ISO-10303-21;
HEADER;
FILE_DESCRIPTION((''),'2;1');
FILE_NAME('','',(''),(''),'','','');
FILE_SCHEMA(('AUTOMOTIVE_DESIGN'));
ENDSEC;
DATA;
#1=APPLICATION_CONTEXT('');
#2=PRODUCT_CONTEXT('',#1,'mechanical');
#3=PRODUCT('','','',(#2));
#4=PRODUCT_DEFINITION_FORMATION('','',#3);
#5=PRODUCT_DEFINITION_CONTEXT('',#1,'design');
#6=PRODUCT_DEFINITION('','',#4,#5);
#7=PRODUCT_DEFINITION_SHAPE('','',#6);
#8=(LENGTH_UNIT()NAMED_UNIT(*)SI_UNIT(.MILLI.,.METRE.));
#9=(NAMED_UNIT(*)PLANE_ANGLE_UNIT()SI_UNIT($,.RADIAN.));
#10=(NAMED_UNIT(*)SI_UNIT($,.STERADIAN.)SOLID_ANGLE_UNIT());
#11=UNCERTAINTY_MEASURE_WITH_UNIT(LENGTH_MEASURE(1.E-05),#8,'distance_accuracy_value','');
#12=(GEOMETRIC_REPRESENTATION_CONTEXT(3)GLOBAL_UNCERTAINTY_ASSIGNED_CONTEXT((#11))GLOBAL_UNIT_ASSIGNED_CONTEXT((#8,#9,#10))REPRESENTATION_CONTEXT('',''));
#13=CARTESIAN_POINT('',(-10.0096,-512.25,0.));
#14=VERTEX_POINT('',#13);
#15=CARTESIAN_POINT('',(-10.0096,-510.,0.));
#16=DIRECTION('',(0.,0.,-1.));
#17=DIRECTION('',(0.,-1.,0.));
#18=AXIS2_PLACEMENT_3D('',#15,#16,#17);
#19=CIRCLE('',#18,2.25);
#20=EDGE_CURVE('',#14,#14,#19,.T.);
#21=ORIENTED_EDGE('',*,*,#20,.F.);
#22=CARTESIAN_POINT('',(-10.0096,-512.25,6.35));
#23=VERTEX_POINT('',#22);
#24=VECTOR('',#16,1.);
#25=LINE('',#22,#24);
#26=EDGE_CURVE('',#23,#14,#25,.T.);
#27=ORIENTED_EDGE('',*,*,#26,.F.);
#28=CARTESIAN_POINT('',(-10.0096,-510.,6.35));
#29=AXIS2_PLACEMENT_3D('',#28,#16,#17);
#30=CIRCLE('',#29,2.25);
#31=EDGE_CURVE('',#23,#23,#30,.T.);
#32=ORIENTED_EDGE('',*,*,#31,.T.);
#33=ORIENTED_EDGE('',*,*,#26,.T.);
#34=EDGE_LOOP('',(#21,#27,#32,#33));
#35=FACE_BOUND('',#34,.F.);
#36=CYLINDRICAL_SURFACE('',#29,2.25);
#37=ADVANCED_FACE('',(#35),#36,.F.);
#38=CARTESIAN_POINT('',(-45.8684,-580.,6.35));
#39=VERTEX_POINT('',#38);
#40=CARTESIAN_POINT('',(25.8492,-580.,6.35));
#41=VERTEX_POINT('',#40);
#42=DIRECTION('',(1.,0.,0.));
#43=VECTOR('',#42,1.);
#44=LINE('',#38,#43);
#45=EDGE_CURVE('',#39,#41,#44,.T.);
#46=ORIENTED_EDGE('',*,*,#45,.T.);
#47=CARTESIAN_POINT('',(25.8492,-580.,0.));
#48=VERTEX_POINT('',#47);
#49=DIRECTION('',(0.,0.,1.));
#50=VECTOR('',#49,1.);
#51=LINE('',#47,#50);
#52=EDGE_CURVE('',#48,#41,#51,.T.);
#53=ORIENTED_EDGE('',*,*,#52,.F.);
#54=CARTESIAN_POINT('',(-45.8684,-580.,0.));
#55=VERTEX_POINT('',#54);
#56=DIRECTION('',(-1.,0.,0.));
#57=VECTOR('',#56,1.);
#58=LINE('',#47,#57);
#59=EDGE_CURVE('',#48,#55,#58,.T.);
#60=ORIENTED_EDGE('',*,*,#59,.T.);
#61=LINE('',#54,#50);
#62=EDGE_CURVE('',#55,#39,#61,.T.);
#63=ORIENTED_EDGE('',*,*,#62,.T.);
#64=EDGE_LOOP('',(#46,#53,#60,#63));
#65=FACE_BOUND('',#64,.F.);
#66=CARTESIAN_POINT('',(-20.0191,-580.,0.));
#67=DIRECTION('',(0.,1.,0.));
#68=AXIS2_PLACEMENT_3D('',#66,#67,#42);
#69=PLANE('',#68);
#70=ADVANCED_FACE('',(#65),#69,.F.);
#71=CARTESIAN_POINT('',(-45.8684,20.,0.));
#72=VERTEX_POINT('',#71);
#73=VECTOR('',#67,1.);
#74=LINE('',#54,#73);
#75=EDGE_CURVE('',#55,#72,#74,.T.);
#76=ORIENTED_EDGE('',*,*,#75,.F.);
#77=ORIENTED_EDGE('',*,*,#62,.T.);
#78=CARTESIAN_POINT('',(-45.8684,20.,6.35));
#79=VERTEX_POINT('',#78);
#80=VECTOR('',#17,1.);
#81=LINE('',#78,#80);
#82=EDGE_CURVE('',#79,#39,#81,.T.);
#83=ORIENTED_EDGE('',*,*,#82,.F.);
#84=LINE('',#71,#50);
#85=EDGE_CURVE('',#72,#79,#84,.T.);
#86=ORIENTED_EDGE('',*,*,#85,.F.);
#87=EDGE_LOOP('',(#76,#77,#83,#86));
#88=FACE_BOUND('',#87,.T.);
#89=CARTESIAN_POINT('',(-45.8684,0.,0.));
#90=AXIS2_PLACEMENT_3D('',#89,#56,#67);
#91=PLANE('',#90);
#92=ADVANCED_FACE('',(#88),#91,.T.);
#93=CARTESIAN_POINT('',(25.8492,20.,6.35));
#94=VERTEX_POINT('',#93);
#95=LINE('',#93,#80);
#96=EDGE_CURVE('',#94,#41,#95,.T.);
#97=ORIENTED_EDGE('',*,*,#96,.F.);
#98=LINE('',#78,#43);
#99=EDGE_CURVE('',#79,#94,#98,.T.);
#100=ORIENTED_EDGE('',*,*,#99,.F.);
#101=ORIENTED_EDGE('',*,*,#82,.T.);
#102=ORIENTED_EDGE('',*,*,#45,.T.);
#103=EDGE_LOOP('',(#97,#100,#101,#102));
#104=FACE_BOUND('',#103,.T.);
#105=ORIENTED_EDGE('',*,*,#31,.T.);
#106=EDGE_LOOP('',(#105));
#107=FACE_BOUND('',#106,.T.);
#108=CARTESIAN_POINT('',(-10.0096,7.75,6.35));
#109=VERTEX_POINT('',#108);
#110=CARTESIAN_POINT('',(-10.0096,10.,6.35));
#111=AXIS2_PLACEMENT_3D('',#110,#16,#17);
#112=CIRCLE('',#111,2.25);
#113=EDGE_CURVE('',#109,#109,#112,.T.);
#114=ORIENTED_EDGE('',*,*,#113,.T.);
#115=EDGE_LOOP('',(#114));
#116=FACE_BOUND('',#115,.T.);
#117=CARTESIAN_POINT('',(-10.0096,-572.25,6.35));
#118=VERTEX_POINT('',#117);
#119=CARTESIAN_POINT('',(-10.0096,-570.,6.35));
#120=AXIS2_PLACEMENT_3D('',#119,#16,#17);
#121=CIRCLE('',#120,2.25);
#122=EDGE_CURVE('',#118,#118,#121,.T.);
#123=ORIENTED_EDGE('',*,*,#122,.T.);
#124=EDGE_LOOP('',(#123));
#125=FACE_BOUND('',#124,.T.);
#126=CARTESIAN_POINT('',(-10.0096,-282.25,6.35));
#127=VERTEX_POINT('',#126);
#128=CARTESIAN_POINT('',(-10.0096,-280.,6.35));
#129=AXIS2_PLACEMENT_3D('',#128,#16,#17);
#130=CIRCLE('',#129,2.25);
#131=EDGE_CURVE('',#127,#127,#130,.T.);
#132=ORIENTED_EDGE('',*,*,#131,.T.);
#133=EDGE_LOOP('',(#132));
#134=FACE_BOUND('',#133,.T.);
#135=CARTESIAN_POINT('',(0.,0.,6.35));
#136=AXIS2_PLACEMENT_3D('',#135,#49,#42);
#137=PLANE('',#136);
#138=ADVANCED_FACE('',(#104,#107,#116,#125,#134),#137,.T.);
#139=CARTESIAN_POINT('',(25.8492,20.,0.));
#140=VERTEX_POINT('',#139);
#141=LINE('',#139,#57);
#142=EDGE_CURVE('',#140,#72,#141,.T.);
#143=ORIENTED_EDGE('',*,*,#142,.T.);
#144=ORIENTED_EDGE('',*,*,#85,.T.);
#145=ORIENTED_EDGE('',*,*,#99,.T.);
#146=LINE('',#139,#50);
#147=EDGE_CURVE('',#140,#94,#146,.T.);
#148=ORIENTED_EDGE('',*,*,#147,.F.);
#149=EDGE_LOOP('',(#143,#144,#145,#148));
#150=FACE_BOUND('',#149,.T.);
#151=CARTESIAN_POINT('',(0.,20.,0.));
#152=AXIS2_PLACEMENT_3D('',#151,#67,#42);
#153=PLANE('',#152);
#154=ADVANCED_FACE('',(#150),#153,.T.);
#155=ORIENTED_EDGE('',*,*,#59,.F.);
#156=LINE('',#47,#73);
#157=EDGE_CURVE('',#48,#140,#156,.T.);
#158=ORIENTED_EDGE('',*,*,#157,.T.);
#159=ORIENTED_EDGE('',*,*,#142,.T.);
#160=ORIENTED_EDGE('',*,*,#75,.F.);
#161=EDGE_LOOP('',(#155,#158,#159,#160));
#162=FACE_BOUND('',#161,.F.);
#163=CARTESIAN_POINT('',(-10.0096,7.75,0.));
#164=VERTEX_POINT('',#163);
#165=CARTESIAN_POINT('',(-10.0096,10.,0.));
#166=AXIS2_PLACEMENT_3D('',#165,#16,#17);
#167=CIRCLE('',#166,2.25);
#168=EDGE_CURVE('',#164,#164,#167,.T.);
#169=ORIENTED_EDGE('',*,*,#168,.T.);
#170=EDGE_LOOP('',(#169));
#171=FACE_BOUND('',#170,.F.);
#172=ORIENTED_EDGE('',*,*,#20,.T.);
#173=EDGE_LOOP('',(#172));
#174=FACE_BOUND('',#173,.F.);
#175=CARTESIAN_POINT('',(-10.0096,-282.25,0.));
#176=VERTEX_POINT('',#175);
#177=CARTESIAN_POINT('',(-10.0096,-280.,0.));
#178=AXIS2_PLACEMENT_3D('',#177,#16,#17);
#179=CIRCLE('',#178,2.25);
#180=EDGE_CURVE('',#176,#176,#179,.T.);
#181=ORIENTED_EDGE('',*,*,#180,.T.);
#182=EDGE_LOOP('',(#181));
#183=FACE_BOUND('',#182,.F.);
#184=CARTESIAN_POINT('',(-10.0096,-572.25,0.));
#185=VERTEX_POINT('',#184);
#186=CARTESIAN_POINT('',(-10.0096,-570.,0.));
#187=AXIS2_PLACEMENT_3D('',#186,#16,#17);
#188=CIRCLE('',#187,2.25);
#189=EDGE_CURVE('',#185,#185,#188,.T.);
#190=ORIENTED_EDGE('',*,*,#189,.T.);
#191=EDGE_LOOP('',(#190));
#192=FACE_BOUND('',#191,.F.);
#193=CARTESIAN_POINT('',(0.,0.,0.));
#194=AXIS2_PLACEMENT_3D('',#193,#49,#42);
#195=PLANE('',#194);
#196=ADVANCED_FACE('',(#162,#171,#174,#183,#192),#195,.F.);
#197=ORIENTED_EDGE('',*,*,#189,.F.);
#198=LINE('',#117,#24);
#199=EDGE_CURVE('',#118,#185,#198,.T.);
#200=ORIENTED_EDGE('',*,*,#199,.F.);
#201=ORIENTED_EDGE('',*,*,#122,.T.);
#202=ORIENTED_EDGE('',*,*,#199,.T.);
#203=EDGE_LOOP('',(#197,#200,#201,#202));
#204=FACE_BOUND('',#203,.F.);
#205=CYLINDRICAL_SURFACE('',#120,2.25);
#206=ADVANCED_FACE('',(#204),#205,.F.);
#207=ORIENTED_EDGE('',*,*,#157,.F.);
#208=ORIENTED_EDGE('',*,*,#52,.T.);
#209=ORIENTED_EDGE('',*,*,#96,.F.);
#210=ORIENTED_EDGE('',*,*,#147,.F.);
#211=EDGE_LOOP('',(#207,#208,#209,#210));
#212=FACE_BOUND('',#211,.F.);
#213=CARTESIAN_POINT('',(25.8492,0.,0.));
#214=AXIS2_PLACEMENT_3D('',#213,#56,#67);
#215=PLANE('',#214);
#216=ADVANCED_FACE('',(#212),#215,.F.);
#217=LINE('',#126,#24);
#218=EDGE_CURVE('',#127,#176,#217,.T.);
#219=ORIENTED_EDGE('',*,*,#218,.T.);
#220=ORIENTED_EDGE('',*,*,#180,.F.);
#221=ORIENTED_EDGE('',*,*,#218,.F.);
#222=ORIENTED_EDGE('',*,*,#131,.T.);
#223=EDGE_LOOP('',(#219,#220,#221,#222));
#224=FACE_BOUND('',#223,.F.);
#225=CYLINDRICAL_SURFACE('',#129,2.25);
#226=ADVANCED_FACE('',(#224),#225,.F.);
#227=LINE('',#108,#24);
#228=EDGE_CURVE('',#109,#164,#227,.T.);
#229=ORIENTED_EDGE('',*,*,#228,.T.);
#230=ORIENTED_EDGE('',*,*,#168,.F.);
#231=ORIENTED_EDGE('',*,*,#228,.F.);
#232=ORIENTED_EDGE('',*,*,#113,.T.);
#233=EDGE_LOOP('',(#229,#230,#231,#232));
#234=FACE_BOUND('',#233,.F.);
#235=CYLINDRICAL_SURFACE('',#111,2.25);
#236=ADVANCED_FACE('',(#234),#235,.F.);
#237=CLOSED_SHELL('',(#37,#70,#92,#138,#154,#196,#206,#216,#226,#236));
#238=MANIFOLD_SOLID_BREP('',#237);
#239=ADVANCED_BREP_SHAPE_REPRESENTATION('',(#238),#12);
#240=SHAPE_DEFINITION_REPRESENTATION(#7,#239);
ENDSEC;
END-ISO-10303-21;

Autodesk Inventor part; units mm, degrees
ref_plane "YZ Plane" through (0, 0, 0) normal (1, 0, 0) x (0, 1, 0)
ref_plane "XZ Plane" through (0, 0, 0) normal (0, 1, 0) x (-1, 0, 0)
ref_plane "XY Plane" through (0, 0, 0) normal (0, 0, 1) x (1, 0, 0)
sketch "Sketch1" plane through (0, 0, 0) normal (0, 0, 1) x (1, 0, 0)
  line L0 (0, 20) -> (25.8492, 20) projected
  line L1 (25.8492, 0) -> (25.8492, 20) projected
  line L2 (-45.8684, 0) -> (-45.8684, 20)
  line L3 (-20.0191, -580) -> (-45.8684, -580) projected
  line L4 (-45.8684, -580) -> (25.8492, -580)
  line L5 (25.8492, -580) -> (25.8492, 20)
  line L6 (25.8492, 20) -> (-45.8684, 20)
  line L7 (-45.8684, 20) -> (-45.8684, -580)
  point P0 (0, 0)
extrude "Extrusion1" add sketch "Sketch1" along normal blind 6.35
sketch "Sketch2" plane through (0, 0, 6.35) normal (0, 0, 1) x (1, 0, 0)
  line L0 (25.8492, 20) -> (-45.8684, 20) projected
  line L1 (-45.8684, -580) -> (25.8492, -580) projected
  line L2 (-10.0096, 20) -> (-10.0096, -580) construction
  circle A0 centre (-10.0096, -580) radius 10 construction
  circle A1 centre (-10.0096, -580) radius 70 construction
  circle A2 centre (-10.0096, 20) radius 10 construction
  point P0 (0, 0)
  point P1 (-10.0096, -280)
  point P2 (-10.0096, -510)
  point P3 (-10.0096, -570)
  point P4 (-10.0096, 10)
  dimension "d2" = 20
  dimension "d3" = 140
  dimension "d4" = 20
hole "Hole1" at (-10.0096, -280, 6.35) at (-10.0096, -510, 6.35) at (-10.0096, -570, 6.35) at (-10.0096, 10, 6.35) direction (0, 0, -1) diameter 4.5 end through all clearance for "Socket Head Cap Screw" size "M4" standard "Ansi Metric M Profile"
properties part number "small side"
